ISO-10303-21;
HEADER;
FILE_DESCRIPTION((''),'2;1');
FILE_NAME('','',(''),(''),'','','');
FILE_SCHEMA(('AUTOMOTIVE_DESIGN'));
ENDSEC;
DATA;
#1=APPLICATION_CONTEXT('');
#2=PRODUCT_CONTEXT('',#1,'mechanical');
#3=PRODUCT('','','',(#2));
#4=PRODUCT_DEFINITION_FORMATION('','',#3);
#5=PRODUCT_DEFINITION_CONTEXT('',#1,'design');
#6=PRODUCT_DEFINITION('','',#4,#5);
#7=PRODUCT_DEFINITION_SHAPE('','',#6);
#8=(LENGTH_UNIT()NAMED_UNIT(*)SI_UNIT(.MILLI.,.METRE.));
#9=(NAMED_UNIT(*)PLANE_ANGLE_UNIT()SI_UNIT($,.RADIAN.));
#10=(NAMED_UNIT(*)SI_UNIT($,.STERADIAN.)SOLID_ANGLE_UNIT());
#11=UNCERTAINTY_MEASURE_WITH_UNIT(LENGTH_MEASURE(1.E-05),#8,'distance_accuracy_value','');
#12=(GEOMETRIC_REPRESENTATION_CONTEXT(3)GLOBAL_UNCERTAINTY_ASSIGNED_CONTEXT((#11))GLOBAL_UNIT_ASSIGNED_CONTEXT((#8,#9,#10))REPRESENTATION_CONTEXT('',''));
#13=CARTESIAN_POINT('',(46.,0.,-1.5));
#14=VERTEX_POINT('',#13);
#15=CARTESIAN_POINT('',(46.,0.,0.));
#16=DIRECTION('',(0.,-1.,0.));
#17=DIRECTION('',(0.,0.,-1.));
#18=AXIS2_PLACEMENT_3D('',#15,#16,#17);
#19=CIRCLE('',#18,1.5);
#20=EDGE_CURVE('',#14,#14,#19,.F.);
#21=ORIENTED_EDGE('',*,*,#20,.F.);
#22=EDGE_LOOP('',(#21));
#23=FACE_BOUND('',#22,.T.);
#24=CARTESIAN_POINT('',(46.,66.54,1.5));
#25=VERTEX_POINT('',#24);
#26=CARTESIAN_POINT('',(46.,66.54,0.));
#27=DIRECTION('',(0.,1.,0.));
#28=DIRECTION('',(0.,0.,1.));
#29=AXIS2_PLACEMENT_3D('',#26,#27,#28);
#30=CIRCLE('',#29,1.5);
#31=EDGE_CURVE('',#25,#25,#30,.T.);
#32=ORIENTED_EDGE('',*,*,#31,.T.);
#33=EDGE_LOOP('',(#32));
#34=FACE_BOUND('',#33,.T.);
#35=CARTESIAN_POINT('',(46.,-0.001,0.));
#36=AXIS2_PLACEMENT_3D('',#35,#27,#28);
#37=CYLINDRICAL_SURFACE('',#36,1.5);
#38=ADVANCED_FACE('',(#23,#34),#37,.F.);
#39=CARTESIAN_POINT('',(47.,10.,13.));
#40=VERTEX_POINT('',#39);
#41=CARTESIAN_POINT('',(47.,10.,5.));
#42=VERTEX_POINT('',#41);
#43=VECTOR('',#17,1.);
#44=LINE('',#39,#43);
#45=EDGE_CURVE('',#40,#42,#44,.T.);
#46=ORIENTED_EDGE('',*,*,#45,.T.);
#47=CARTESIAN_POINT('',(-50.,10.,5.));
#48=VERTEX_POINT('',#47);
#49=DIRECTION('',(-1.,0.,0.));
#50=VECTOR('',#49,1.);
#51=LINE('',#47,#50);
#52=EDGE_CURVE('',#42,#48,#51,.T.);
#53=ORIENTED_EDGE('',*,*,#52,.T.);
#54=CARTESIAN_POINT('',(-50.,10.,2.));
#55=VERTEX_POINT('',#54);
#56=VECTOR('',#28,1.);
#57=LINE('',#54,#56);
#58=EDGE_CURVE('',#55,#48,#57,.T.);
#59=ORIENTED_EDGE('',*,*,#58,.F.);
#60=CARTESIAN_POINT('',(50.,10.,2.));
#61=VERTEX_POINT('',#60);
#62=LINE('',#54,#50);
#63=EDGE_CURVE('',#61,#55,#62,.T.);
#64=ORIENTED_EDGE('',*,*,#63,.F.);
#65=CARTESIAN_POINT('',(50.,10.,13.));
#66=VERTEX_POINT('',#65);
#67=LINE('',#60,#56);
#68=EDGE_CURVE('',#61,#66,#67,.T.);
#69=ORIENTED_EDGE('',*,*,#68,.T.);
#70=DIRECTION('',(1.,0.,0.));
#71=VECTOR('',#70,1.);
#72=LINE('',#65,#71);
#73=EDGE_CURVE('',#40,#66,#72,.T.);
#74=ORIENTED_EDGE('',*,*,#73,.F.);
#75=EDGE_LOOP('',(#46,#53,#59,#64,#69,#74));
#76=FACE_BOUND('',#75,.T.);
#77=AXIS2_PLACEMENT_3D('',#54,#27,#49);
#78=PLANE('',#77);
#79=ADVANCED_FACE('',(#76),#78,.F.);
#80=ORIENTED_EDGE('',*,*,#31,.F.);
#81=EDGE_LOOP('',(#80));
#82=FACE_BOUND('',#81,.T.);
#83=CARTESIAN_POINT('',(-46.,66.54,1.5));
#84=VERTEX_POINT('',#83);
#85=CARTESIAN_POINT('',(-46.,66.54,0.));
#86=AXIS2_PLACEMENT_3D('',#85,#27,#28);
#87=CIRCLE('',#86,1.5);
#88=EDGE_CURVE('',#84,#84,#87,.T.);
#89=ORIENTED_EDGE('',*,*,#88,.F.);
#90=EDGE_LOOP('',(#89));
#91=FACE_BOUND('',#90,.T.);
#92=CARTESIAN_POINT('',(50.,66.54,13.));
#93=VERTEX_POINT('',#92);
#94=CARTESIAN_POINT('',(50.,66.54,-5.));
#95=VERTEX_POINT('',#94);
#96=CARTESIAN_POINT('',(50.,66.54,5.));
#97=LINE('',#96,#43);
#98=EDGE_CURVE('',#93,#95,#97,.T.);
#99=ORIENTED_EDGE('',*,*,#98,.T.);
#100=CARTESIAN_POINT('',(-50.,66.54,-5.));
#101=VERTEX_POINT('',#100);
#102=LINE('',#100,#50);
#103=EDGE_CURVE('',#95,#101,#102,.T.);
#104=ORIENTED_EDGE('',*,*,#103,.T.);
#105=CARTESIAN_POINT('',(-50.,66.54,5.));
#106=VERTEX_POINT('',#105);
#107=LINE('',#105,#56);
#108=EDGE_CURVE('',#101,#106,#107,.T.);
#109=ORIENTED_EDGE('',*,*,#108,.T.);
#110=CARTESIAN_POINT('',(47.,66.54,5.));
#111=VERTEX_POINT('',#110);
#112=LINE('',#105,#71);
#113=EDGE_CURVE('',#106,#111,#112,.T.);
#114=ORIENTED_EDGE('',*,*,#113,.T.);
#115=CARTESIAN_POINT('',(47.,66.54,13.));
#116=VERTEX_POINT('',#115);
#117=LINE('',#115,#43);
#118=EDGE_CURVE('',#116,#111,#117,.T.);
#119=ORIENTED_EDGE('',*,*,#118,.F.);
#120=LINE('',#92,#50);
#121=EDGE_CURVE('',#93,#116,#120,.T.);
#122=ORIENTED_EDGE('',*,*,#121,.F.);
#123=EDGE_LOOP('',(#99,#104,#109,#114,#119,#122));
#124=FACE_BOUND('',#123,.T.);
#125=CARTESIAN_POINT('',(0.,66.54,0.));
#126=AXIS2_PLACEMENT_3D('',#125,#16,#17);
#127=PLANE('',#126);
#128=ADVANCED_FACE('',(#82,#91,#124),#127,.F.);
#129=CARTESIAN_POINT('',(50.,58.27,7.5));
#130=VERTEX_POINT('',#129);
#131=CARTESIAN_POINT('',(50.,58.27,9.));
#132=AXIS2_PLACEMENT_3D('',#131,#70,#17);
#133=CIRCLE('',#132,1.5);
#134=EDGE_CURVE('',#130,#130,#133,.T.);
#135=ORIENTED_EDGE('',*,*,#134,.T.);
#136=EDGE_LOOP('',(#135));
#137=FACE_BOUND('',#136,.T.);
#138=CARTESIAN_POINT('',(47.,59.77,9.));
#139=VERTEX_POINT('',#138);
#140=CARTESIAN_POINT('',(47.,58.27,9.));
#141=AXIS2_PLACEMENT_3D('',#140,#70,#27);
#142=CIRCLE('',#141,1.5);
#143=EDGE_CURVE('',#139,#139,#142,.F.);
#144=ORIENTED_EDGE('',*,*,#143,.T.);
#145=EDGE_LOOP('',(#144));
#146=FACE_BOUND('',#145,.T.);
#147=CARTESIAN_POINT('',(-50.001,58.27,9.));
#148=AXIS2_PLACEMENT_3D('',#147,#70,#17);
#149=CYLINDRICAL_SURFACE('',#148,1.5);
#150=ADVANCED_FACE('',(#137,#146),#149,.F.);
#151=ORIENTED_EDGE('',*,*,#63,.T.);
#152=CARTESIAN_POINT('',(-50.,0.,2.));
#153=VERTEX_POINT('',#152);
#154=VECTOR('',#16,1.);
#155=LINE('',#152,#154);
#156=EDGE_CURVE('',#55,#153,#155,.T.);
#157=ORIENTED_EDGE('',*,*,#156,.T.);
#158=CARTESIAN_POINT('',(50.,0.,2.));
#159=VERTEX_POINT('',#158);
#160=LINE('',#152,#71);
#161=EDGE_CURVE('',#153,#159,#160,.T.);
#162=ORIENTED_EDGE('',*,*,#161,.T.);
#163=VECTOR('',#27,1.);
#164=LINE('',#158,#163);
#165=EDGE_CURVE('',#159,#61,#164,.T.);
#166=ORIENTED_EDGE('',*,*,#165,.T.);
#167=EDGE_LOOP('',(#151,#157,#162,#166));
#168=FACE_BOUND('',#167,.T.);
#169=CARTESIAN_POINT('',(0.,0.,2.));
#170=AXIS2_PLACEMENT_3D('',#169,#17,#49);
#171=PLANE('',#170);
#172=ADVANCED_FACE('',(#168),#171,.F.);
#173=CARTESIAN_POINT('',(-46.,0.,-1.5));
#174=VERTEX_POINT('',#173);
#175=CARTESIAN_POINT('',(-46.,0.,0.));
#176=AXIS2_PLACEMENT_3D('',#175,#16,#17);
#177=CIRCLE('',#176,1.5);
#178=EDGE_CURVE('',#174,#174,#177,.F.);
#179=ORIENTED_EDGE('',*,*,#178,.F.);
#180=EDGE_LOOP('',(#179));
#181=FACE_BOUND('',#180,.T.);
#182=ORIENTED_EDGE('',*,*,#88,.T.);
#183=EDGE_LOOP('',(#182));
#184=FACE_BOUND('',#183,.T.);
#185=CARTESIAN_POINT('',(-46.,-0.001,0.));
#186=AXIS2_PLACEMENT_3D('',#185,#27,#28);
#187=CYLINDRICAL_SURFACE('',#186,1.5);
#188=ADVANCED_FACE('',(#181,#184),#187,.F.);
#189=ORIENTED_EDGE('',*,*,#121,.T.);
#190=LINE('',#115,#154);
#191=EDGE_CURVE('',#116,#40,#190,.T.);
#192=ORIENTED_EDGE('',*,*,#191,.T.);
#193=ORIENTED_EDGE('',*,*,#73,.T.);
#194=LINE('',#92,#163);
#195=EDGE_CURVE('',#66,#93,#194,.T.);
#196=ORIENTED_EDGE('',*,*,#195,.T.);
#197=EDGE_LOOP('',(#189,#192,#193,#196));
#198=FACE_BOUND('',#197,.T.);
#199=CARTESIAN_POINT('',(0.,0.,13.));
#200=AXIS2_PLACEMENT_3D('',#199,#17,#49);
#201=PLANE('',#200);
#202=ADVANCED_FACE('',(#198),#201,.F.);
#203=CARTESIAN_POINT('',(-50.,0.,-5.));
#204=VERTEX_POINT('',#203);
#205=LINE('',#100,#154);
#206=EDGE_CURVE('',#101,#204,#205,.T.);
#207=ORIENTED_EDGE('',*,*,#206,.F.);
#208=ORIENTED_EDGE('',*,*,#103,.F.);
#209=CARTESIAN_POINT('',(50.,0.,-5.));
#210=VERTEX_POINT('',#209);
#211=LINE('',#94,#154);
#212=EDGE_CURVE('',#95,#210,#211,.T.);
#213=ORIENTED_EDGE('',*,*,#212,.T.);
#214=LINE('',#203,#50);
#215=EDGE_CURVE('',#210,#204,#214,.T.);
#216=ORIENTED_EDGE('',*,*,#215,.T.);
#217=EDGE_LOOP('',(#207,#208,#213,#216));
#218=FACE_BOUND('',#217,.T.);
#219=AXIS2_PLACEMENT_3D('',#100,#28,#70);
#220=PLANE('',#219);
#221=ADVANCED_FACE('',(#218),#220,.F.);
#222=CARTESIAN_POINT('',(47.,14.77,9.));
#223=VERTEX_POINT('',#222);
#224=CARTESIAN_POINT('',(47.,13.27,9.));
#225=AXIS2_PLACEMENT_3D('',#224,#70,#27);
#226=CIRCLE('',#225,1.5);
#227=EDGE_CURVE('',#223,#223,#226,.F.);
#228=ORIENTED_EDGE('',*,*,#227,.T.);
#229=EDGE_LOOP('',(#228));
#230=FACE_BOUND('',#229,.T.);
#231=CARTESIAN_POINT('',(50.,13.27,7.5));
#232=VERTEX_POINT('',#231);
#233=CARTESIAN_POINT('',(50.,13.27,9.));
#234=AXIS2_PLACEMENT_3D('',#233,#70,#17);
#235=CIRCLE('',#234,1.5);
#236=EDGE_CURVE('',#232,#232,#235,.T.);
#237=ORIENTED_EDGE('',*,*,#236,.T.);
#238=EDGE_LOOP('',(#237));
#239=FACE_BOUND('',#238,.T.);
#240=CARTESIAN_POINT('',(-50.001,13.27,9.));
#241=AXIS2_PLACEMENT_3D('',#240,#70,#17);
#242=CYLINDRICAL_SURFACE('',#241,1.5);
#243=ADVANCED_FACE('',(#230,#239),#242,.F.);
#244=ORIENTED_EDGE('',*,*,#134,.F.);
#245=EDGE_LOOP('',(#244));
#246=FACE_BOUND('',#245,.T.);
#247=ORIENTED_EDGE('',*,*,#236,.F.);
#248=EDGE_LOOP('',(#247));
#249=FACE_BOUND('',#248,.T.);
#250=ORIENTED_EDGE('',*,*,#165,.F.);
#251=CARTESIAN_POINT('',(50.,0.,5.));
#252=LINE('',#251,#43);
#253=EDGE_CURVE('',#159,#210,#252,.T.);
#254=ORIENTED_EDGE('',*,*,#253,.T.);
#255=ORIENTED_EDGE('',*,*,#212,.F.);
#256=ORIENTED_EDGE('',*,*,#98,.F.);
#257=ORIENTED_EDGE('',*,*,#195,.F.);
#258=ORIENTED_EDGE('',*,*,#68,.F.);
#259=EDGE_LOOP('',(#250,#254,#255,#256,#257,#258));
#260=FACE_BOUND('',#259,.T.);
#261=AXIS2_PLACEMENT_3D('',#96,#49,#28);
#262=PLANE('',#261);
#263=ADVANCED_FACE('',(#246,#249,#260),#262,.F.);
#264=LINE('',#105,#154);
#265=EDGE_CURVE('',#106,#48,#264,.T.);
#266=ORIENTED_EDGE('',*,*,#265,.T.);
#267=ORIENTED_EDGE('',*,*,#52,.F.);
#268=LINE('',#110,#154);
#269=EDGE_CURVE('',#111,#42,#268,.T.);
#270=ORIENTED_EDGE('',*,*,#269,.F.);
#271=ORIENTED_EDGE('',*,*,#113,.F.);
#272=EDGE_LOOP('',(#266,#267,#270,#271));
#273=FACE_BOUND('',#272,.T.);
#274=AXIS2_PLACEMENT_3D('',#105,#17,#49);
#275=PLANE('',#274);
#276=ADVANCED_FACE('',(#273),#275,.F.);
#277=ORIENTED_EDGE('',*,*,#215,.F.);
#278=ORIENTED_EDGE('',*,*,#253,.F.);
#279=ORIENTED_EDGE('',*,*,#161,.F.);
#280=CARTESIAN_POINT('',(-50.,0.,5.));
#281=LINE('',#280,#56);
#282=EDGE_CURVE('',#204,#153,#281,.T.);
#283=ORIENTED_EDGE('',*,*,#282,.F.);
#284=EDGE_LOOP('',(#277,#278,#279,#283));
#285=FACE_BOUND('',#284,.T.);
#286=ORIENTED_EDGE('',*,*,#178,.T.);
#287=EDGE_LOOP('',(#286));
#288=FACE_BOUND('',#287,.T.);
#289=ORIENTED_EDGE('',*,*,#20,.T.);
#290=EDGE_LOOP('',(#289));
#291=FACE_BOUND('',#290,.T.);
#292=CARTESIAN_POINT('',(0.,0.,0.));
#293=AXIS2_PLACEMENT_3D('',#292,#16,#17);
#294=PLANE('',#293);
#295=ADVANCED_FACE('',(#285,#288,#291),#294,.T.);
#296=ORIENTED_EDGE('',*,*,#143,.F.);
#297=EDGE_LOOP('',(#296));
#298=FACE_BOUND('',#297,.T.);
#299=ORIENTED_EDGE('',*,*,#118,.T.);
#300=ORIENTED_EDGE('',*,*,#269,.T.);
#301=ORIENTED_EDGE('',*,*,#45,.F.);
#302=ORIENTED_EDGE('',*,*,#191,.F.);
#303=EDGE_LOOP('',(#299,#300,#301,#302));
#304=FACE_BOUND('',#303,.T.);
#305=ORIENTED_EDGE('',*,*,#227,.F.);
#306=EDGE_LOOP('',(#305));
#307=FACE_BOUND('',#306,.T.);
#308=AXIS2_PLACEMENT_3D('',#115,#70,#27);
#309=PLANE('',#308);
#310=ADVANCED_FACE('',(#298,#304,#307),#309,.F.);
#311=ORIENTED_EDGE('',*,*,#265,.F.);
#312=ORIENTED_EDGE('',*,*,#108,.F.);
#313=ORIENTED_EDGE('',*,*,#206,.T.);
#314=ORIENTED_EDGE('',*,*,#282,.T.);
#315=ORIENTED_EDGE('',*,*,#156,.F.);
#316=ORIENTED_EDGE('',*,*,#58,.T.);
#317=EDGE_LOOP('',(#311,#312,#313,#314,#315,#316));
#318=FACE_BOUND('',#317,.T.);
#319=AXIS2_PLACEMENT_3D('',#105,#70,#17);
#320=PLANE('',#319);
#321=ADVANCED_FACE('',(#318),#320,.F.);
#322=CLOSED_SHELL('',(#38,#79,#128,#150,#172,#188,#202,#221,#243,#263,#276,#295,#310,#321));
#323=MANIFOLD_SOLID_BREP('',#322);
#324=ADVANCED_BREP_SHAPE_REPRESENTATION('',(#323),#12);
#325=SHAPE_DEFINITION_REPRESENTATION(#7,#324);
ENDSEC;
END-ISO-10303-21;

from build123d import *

# Parameters (mm, degrees)
SKETCH1_W           = 100
SKETCH1_H           = 10
BOSS_EXTRUDE1_DEPTH = 66.54
CUT_EXTRUDE1_REACH  = 85.382
SKETCH2_R           = 1.5
LPATTERN1_COUNT     = 2
LPATTERN1_PITCH     = 92
SKETCH3_W           = 100
SKETCH3_H           = 10
CUT_EXTRUDE2_DEPTH  = 3
SKETCH4_W           = 3
SKETCH4_H           = 56.54
BOSS_EXTRUDE2_DEPTH = 8
CUT_EXTRUDE3_REACH  = 122.816
SKETCH5_R           = 1.5


with BuildPart() as part:
    # Sketch1 → Boss-Extrude1 (new body)
    with BuildSketch(Plane(origin=(0, 0, 0), x_dir=(1, 0, 0), z_dir=(0, 1, 0))):
        Rectangle(SKETCH1_W, SKETCH1_H)
    extrude(amount=BOSS_EXTRUDE1_DEPTH)

    # Sketch2 → Cut-Extrude1 (cut, up to next)
    with BuildSketch(Plane(origin=(0, 66.54, 0), x_dir=(1, 0, 0), z_dir=(0, 1, 0)), mode=Mode.PRIVATE) as cut_extrude1_sk1:
        with Locations(Location((-46, 0, 0), (0, 0, 270))):
            Circle(SKETCH2_R)
    cut_extrude1_tool1 = extrude(cut_extrude1_sk1.sketch, amount=-CUT_EXTRUDE1_REACH, mode=Mode.PRIVATE) & part.part
    cut_extrude1 = cut_extrude1_tool1.solids().sort_by_distance((-46, 66.54, 0))[0]
    add(cut_extrude1, mode=Mode.SUBTRACT)

    # LPattern1: Cut-Extrude1 ×2
    with Locations(*[(i * LPATTERN1_PITCH, 0, 0) for i in range(1, LPATTERN1_COUNT)]):
        add(cut_extrude1, mode=Mode.SUBTRACT)

    # Sketch3 → Cut-Extrude2 (cut)
    with BuildSketch(Plane.XY.offset(5)):
        with Locations((0, 5)):
            Rectangle(SKETCH3_W, SKETCH3_H)
    extrude(amount=-CUT_EXTRUDE2_DEPTH, mode=Mode.SUBTRACT)

    # Sketch4 → Boss-Extrude2 (add)
    with BuildSketch(Plane.XY.offset(5)):
        with Locations((48.5, 38.27)):
            Rectangle(SKETCH4_W, SKETCH4_H)
    extrude(amount=BOSS_EXTRUDE2_DEPTH)

    # Sketch5 → Cut-Extrude3 (cut, up to next)
    with BuildSketch(Plane(origin=(50, 0, 0), x_dir=(0, 0, -1), z_dir=(1, 0, 0)), mode=Mode.PRIVATE) as cut_extrude3_sk1:
        with Locations((-9, 58.27)):
            Circle(SKETCH5_R)
    cut_extrude3_tool1 = extrude(cut_extrude3_sk1.sketch, amount=-CUT_EXTRUDE3_REACH, mode=Mode.PRIVATE) & part.part
    # Sketch5 → Cut-Extrude3 (cut, up to next)
    with BuildSketch(Plane(origin=(50, 0, 0), x_dir=(0, 0, -1), z_dir=(1, 0, 0)), mode=Mode.PRIVATE) as cut_extrude3_sk2:
        with Locations((-9, 13.27)):
            Circle(SKETCH5_R)
    cut_extrude3_tool2 = extrude(cut_extrude3_sk2.sketch, amount=-CUT_EXTRUDE3_REACH, mode=Mode.PRIVATE) & part.part
    add(cut_extrude3_tool1.solids().sort_by_distance((50, 58.27, 9))[0], mode=Mode.SUBTRACT)
    add(cut_extrude3_tool2.solids().sort_by_distance((50, 13.27, 9))[0], mode=Mode.SUBTRACT)


solid = part.part
